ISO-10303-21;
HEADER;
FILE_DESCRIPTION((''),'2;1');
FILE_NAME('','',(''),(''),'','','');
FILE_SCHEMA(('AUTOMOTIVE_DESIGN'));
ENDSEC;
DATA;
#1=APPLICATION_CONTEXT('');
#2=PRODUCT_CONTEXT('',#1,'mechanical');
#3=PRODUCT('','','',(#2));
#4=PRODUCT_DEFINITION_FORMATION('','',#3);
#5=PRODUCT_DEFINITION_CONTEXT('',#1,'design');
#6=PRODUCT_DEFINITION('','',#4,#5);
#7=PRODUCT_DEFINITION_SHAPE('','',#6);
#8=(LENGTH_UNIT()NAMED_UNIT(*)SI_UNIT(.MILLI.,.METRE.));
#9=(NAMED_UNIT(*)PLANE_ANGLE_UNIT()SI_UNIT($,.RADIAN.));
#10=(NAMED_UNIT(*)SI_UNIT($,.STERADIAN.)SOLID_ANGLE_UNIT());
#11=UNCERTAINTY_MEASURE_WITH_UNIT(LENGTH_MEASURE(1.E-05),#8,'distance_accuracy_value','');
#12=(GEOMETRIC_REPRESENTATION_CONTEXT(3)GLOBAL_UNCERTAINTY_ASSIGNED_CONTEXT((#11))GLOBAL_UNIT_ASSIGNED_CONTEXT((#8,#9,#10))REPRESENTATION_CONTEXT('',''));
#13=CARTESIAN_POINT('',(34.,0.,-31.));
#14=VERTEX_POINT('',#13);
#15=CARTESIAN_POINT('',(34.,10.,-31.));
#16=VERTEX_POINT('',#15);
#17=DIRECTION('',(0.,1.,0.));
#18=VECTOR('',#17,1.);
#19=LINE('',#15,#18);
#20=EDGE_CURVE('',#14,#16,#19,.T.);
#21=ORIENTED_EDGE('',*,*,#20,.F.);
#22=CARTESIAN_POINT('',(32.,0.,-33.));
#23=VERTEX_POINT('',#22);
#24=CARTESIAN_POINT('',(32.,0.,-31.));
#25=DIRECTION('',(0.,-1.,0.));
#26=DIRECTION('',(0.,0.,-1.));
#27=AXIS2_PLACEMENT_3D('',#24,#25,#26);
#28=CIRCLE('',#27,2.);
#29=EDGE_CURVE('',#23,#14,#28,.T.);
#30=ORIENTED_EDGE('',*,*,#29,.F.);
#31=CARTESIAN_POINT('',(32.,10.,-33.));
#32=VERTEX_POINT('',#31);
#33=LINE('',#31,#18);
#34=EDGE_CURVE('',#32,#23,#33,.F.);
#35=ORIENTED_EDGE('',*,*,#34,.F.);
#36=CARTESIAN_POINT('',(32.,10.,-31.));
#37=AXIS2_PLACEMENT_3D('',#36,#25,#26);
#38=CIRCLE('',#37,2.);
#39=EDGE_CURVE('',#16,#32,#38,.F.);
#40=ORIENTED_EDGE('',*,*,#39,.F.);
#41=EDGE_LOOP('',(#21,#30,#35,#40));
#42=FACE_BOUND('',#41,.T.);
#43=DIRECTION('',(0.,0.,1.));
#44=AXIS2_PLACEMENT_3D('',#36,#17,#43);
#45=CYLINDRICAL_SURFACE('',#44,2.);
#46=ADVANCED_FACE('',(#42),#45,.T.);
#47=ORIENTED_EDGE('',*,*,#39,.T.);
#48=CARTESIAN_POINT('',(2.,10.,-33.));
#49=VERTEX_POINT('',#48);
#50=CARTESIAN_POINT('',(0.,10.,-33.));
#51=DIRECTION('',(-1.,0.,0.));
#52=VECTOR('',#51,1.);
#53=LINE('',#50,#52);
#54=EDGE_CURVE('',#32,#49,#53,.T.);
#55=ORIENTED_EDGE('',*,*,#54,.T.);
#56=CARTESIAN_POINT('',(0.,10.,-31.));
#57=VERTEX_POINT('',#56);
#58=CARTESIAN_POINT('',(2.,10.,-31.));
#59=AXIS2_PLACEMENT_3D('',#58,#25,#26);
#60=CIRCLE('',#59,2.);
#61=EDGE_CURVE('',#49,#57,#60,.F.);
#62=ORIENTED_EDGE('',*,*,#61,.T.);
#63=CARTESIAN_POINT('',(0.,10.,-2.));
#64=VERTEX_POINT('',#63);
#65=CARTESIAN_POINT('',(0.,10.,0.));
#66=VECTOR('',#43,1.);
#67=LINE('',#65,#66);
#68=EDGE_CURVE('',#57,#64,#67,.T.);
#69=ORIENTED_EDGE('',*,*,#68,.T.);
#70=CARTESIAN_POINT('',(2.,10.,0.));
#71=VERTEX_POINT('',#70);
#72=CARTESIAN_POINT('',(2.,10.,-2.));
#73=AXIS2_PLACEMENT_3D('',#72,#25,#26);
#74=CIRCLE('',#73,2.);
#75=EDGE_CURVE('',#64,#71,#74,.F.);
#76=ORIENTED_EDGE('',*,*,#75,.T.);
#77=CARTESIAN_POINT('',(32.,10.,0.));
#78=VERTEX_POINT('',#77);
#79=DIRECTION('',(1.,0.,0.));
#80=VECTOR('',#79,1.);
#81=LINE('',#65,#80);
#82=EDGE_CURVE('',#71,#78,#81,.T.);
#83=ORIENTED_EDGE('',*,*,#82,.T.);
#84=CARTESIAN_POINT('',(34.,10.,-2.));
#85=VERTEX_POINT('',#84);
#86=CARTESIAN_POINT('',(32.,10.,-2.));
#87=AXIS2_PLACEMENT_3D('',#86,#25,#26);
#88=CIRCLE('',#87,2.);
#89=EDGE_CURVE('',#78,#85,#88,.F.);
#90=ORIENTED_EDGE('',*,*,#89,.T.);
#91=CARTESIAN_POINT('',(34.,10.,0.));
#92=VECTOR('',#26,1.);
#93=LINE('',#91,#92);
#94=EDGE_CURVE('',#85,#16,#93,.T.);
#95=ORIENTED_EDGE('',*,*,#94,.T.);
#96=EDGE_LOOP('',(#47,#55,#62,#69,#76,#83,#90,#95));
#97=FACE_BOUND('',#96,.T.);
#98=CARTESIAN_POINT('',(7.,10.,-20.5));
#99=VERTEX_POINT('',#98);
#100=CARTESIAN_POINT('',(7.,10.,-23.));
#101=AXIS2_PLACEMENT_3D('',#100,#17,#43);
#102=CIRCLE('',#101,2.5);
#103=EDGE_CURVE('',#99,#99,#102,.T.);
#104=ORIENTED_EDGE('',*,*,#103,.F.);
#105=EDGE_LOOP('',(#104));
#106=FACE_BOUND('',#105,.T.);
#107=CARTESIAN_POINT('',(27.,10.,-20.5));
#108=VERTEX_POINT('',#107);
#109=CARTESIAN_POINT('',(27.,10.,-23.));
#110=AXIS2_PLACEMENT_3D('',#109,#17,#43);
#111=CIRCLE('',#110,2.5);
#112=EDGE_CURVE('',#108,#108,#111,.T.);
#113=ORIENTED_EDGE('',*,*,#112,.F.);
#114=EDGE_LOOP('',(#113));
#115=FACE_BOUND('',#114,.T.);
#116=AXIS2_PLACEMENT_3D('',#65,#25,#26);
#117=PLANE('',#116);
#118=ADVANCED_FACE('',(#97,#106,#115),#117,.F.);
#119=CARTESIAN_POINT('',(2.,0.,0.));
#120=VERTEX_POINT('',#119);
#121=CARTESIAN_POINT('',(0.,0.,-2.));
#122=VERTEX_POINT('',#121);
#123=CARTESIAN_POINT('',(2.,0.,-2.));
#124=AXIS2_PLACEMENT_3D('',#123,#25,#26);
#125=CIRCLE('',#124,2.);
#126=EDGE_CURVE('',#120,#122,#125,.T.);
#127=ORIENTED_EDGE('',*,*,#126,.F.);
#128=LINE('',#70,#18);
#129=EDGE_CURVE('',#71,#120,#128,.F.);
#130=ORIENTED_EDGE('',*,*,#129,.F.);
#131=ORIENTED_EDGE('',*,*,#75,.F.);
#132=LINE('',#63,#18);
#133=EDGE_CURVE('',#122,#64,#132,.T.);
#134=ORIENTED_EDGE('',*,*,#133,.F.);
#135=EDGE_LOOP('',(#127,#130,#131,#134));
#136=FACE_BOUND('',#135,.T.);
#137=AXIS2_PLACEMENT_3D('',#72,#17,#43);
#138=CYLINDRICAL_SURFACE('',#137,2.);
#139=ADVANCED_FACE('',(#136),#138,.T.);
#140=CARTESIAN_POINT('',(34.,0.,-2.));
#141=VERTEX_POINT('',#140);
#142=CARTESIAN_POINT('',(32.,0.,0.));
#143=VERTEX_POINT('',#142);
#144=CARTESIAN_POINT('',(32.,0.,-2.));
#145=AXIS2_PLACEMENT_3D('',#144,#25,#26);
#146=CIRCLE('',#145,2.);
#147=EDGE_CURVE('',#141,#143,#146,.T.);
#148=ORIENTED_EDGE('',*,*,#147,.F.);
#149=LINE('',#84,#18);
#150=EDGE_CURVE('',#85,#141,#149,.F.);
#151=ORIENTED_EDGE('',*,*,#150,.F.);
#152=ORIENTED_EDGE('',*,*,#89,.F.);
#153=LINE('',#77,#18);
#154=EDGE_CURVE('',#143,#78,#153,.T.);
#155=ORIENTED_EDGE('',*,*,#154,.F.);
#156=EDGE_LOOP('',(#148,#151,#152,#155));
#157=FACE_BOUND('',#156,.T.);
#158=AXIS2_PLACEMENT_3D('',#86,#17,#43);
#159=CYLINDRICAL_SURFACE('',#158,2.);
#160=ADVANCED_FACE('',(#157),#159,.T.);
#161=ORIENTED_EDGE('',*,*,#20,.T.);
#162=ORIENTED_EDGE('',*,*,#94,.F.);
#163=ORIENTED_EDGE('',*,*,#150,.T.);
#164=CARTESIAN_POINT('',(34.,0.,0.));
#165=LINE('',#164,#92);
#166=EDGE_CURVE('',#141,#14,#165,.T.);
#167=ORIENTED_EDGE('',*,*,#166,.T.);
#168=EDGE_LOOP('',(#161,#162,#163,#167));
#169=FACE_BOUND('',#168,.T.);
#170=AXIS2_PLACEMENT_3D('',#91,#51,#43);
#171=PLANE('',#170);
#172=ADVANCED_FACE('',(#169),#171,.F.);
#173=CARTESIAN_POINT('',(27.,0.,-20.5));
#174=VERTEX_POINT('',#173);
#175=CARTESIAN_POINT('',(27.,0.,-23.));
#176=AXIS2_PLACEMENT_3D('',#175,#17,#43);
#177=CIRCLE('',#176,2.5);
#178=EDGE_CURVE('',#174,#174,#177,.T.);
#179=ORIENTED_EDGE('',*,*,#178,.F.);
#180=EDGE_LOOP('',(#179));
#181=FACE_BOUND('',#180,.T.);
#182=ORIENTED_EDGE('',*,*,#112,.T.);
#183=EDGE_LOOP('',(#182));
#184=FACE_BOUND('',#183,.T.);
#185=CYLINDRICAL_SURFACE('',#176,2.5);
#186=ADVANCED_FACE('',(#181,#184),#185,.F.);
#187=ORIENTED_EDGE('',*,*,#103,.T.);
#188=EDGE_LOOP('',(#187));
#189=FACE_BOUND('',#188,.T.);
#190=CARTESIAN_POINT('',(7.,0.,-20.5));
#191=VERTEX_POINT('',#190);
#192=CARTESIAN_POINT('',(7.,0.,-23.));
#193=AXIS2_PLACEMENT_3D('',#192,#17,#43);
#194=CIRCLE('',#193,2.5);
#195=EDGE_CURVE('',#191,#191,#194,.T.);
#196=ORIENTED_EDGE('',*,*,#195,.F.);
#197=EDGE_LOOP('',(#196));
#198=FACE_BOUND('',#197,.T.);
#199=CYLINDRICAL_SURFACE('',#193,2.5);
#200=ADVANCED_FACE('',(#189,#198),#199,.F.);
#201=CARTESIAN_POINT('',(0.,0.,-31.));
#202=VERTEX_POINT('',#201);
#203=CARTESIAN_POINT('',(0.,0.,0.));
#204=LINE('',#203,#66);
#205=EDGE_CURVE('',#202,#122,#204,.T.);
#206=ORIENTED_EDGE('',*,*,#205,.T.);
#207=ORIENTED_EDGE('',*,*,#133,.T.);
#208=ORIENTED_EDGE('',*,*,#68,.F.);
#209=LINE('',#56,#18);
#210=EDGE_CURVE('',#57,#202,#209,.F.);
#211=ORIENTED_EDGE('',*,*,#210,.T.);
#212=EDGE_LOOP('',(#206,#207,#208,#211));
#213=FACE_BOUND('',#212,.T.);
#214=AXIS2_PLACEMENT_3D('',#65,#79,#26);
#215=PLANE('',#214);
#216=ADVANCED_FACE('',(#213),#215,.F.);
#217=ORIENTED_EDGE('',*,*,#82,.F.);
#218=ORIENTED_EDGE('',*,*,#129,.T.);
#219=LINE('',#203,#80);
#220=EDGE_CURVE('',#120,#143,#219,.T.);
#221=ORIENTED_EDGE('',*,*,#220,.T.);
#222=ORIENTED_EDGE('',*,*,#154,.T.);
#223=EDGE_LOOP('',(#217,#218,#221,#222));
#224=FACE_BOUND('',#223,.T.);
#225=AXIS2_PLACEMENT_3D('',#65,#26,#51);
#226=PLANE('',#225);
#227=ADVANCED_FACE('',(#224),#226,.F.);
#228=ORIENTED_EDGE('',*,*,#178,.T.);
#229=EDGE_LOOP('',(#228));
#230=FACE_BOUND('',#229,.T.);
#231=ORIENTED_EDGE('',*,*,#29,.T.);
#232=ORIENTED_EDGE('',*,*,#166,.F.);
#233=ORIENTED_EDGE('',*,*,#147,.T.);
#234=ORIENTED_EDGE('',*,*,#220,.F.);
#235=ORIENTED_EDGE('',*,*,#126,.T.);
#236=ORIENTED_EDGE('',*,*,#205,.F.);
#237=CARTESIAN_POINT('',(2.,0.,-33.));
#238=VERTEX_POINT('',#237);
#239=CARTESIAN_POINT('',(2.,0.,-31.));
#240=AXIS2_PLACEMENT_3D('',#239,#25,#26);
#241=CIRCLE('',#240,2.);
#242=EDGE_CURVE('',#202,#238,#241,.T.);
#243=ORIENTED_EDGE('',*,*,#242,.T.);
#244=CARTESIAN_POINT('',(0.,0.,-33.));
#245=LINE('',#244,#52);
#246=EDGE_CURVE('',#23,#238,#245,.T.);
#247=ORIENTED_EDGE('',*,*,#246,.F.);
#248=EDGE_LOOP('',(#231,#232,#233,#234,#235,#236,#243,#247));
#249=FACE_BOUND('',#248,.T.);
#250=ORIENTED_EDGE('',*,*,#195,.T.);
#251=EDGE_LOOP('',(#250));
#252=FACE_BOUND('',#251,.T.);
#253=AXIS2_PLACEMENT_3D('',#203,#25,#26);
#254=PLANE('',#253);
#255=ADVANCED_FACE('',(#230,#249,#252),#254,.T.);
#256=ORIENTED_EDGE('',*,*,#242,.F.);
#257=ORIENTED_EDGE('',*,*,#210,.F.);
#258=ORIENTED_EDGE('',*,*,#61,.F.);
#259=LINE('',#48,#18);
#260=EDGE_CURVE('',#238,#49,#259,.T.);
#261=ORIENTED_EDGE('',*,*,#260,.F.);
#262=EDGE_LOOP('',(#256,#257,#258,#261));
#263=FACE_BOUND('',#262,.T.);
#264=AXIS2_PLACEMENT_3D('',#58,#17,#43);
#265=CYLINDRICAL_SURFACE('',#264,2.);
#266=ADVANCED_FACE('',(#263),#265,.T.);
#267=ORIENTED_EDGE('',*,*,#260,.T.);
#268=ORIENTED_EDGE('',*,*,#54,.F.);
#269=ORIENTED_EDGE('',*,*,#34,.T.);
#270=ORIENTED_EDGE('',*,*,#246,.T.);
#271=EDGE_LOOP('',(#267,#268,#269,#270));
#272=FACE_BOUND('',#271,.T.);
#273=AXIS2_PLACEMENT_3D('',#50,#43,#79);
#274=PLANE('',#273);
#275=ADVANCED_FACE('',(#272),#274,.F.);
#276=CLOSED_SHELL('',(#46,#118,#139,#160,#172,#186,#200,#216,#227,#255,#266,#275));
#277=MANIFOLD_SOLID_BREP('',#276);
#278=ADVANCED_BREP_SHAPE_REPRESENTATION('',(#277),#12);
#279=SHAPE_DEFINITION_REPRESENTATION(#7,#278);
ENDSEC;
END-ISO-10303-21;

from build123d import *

# Parameters (mm, degrees)
SKETCH2_W           = 34
SKETCH2_H           = 33
BOSS_EXTRUDE1_DEPTH = 10
FILLET1_R           = 2
FILLET2_R           = 2
FILLET3_R           = 2
FILLET4_R           = 2
SKETCH3_R           = 2.5
CUT_EXTRUDE1_DEPTH  = 10


with BuildPart() as part:
    # Sketch2 → Boss-Extrude1 (new body)
    with BuildSketch(Plane(origin=(0, 0, 0), x_dir=(1, 0, 0), z_dir=(0, 1, 0))):
        with Locations((17, 16.5)):
            Rectangle(SKETCH2_W, SKETCH2_H)
    extrude(amount=BOSS_EXTRUDE1_DEPTH)

    # Fillet1
    fillet1_edges = [part.edges().sort_by_distance(p)[0] for p in [
        (34, 5, 0),
    ]]
    fillet(fillet1_edges, radius=FILLET1_R)

    # Fillet2
    fillet2_edges = [part.edges().sort_by_distance(p)[0] for p in [
        (34, 5, -33),
    ]]
    fillet(fillet2_edges, radius=FILLET2_R)

    # Fillet3
    fillet3_edges = [part.edges().sort_by_distance(p)[0] for p in [
        (0, 5, -33),
    ]]
    fillet(fillet3_edges, radius=FILLET3_R)

    # Fillet4
    fillet4_edges = [part.edges().sort_by_distance(p)[0] for p in [
        (0, 5, 0),
    ]]
    fillet(fillet4_edges, radius=FILLET4_R)

    # Sketch3 → Cut-Extrude1 (cut)
    with BuildSketch(Plane(origin=(0, 10, 0), x_dir=(1, 0, 0), z_dir=(0, 1, 0))):
        with Locations(Location((7, 23, 0), (0, 0, 270))):
            Circle(SKETCH3_R)
        with Locations(Location((27, 23, 0), (0, 0, 270))):
            Circle(SKETCH3_R)
    extrude(amount=-CUT_EXTRUDE1_DEPTH, mode=Mode.SUBTRACT)


solid = part.part
